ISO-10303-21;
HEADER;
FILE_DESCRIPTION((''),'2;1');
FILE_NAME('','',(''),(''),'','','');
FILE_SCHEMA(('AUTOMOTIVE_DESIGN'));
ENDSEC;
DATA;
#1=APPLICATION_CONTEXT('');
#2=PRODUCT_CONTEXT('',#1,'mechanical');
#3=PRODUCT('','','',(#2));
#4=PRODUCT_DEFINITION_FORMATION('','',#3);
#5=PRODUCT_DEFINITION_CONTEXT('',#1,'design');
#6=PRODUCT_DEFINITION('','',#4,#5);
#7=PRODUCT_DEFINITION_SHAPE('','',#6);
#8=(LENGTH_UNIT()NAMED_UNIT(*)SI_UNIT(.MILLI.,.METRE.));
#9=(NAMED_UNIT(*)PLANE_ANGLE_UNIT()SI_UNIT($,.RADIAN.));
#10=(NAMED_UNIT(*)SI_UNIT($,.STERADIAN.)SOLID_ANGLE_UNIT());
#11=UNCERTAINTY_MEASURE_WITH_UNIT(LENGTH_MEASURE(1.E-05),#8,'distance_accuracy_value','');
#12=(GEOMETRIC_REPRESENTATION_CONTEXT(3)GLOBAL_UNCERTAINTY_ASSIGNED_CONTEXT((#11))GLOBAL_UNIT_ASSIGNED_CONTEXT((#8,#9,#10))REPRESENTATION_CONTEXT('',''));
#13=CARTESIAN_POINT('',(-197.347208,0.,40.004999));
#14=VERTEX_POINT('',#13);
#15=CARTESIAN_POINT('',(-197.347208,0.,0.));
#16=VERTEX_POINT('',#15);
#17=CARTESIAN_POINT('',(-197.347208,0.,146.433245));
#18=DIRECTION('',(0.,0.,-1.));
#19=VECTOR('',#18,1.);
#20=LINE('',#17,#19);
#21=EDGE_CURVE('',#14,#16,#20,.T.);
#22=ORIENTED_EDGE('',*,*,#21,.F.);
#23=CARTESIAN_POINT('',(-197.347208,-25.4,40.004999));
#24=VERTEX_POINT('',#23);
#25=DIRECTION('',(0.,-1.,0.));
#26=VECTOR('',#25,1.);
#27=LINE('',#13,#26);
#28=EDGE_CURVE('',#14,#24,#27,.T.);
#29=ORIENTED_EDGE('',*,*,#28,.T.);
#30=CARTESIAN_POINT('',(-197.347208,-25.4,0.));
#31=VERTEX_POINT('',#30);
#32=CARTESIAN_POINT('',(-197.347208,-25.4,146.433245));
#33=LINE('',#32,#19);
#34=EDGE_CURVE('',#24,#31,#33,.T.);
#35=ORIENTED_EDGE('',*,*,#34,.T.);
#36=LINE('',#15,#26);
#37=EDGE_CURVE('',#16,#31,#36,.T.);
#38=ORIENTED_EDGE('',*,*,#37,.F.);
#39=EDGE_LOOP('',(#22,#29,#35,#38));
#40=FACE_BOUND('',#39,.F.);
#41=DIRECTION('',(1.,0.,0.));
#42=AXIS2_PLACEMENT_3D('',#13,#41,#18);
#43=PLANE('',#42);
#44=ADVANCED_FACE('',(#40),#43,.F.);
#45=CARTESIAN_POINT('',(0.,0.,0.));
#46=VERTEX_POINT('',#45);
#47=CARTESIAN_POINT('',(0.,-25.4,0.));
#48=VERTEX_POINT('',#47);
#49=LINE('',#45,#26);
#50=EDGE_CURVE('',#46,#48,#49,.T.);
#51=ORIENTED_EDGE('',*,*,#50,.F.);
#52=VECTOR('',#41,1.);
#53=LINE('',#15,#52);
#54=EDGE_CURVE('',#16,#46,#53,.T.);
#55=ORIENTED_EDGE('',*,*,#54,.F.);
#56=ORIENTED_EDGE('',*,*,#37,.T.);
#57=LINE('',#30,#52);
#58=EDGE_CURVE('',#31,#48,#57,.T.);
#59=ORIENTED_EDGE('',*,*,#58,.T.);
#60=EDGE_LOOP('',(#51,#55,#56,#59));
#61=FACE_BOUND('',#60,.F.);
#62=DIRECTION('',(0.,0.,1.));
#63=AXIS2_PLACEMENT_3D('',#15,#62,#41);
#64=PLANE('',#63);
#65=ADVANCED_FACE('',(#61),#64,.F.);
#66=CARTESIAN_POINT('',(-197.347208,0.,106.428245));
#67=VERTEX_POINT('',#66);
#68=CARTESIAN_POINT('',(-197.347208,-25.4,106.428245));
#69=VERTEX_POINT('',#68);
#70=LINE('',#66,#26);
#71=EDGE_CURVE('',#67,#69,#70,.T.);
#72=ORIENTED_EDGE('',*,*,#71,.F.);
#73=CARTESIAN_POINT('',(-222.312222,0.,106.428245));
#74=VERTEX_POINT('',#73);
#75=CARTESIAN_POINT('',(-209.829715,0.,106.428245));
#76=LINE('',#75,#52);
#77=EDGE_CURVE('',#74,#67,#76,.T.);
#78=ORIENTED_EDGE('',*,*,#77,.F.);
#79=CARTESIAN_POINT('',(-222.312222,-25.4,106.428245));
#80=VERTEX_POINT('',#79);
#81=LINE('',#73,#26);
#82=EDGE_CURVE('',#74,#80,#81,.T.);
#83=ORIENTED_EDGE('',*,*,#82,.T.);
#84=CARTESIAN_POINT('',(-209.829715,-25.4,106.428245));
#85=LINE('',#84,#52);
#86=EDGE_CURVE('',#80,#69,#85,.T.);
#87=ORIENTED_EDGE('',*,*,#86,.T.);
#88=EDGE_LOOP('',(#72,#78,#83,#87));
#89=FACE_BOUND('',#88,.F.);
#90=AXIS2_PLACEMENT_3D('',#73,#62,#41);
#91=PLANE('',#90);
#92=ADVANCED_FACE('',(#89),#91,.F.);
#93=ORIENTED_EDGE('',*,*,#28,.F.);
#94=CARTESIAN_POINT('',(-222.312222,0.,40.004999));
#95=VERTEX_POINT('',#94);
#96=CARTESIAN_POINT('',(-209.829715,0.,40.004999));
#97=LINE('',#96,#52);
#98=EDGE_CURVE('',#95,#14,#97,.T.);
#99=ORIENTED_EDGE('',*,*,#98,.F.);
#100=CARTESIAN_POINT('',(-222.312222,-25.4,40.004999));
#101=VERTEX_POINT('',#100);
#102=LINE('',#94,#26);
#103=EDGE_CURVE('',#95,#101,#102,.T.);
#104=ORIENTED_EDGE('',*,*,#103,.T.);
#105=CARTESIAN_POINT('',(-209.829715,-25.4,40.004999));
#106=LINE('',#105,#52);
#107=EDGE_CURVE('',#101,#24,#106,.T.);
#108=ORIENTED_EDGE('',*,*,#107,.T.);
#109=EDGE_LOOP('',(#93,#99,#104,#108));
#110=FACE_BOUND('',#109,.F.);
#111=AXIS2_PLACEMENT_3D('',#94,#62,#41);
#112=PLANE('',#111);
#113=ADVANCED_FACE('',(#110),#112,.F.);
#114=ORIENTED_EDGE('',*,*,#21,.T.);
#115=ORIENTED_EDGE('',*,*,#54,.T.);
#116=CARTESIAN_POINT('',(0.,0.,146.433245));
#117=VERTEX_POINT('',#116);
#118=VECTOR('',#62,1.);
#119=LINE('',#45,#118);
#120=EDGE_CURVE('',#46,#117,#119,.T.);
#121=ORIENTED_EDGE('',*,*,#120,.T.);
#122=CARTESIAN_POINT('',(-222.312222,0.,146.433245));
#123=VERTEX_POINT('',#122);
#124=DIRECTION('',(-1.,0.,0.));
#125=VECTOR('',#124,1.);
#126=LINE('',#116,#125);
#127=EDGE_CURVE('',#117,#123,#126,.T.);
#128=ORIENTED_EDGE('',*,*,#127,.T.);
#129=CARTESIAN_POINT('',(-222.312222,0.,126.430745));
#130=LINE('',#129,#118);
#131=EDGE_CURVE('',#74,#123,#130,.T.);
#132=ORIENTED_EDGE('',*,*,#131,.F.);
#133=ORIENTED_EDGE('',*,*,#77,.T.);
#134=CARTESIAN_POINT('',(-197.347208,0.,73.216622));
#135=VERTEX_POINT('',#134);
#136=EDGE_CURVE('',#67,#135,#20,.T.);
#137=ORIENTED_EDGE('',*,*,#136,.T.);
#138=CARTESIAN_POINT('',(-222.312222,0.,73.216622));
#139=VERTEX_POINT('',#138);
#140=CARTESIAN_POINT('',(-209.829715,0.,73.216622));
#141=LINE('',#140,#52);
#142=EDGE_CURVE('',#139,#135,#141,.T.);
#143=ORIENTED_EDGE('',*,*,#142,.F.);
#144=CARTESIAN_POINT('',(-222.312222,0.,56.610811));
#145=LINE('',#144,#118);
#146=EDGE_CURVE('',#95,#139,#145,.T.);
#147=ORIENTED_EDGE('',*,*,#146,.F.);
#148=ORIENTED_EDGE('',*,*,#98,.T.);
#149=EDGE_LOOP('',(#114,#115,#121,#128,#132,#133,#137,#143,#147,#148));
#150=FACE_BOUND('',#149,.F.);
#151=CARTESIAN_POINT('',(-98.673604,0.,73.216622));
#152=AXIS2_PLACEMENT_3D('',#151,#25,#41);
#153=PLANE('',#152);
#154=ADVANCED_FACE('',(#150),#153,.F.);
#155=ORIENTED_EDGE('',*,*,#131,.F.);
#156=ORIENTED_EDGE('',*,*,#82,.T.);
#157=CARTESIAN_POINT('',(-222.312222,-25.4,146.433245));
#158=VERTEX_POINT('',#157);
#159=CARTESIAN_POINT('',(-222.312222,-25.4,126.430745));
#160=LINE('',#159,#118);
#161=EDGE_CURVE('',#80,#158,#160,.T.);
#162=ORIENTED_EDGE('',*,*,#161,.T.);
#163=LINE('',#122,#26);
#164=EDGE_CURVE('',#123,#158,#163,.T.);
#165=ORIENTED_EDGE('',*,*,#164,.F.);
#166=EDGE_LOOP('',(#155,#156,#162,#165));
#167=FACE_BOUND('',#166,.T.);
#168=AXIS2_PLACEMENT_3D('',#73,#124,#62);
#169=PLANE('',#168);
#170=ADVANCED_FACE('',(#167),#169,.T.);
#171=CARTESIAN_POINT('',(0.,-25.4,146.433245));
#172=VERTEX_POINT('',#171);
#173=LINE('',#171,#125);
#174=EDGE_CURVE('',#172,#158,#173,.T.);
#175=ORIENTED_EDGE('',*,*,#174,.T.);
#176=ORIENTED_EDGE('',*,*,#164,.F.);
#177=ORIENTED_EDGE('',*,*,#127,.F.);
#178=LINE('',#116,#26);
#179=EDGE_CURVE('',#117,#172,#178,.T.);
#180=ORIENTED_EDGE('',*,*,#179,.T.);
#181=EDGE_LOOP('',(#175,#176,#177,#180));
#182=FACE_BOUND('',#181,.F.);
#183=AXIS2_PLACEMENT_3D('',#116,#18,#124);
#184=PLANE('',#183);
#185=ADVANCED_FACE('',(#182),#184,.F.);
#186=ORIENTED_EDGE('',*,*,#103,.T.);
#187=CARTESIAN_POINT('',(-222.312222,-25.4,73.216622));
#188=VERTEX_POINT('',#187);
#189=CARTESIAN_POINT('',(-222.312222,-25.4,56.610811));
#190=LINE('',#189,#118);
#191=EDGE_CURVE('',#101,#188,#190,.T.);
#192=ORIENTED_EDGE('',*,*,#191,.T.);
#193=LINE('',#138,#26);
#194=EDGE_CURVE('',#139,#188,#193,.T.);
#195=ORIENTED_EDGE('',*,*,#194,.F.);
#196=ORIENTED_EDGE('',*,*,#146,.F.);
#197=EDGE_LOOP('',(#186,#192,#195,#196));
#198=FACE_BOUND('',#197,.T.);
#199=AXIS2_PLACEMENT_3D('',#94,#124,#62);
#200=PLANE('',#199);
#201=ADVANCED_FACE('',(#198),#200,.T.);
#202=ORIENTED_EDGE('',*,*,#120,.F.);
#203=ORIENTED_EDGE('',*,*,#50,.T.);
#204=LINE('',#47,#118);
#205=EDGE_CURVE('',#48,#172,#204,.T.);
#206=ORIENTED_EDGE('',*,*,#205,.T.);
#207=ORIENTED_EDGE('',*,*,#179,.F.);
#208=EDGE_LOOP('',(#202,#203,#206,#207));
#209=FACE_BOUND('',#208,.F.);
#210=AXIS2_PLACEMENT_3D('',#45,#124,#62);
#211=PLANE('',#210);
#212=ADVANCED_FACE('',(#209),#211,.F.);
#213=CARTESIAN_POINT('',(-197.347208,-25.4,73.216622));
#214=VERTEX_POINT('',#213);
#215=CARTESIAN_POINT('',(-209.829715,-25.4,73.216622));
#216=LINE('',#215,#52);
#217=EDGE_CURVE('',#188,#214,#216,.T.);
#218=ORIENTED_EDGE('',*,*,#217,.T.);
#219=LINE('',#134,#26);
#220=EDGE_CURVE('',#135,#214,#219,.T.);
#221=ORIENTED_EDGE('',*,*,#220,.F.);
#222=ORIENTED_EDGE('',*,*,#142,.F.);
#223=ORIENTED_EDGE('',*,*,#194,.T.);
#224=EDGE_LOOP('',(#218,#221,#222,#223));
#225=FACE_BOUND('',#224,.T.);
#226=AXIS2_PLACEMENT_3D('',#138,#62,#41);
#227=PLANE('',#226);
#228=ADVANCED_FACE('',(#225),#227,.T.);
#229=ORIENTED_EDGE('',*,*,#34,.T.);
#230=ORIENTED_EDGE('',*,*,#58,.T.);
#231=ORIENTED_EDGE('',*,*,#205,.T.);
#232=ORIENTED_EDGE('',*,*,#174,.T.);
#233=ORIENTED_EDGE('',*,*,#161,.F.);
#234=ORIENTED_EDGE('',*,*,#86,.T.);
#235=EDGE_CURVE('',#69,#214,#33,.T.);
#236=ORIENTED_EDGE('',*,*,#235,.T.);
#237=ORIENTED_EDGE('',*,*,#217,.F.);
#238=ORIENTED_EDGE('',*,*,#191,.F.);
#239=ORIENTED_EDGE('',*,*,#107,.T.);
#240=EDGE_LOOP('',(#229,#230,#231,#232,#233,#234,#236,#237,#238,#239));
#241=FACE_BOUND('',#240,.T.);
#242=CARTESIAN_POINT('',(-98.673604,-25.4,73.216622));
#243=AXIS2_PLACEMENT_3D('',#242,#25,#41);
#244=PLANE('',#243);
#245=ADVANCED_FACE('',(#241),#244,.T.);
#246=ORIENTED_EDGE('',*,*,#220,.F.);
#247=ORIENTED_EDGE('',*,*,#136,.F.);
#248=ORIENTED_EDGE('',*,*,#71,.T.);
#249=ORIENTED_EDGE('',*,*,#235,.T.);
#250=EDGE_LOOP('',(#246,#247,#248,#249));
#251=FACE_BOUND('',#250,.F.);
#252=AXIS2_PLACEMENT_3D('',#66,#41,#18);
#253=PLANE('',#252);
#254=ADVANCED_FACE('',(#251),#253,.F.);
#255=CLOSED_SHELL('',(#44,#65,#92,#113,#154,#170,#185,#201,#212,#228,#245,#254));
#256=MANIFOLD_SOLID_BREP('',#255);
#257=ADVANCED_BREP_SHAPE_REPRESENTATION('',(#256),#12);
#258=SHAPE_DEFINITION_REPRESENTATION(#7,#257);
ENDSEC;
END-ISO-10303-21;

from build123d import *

# Parameters (mm, degrees)
F0_W     = 24.965014
F0_H     = 33.211623
F0_H_2   = 40.005
F1_DEPTH = 25.4


with BuildPart() as f1:
    # F0 (on Front) → F1 (new body)
    with BuildSketch(Plane.XZ):
        Polygon((-197.347208, 0), (0, 0), (0, 146.433245), (-197.347208, 146.433245), (-197.347208, 106.428245), (-197.347208, 73.216623), (-197.347208, 40.005), align=None)
        with Locations((-209.829715, 56.610811)):
            Rectangle(F0_W, F0_H)
        with Locations((-209.829715, 126.430745)):
            Rectangle(F0_W, F0_H_2)
    extrude(amount=F1_DEPTH)


solid = f1.part
